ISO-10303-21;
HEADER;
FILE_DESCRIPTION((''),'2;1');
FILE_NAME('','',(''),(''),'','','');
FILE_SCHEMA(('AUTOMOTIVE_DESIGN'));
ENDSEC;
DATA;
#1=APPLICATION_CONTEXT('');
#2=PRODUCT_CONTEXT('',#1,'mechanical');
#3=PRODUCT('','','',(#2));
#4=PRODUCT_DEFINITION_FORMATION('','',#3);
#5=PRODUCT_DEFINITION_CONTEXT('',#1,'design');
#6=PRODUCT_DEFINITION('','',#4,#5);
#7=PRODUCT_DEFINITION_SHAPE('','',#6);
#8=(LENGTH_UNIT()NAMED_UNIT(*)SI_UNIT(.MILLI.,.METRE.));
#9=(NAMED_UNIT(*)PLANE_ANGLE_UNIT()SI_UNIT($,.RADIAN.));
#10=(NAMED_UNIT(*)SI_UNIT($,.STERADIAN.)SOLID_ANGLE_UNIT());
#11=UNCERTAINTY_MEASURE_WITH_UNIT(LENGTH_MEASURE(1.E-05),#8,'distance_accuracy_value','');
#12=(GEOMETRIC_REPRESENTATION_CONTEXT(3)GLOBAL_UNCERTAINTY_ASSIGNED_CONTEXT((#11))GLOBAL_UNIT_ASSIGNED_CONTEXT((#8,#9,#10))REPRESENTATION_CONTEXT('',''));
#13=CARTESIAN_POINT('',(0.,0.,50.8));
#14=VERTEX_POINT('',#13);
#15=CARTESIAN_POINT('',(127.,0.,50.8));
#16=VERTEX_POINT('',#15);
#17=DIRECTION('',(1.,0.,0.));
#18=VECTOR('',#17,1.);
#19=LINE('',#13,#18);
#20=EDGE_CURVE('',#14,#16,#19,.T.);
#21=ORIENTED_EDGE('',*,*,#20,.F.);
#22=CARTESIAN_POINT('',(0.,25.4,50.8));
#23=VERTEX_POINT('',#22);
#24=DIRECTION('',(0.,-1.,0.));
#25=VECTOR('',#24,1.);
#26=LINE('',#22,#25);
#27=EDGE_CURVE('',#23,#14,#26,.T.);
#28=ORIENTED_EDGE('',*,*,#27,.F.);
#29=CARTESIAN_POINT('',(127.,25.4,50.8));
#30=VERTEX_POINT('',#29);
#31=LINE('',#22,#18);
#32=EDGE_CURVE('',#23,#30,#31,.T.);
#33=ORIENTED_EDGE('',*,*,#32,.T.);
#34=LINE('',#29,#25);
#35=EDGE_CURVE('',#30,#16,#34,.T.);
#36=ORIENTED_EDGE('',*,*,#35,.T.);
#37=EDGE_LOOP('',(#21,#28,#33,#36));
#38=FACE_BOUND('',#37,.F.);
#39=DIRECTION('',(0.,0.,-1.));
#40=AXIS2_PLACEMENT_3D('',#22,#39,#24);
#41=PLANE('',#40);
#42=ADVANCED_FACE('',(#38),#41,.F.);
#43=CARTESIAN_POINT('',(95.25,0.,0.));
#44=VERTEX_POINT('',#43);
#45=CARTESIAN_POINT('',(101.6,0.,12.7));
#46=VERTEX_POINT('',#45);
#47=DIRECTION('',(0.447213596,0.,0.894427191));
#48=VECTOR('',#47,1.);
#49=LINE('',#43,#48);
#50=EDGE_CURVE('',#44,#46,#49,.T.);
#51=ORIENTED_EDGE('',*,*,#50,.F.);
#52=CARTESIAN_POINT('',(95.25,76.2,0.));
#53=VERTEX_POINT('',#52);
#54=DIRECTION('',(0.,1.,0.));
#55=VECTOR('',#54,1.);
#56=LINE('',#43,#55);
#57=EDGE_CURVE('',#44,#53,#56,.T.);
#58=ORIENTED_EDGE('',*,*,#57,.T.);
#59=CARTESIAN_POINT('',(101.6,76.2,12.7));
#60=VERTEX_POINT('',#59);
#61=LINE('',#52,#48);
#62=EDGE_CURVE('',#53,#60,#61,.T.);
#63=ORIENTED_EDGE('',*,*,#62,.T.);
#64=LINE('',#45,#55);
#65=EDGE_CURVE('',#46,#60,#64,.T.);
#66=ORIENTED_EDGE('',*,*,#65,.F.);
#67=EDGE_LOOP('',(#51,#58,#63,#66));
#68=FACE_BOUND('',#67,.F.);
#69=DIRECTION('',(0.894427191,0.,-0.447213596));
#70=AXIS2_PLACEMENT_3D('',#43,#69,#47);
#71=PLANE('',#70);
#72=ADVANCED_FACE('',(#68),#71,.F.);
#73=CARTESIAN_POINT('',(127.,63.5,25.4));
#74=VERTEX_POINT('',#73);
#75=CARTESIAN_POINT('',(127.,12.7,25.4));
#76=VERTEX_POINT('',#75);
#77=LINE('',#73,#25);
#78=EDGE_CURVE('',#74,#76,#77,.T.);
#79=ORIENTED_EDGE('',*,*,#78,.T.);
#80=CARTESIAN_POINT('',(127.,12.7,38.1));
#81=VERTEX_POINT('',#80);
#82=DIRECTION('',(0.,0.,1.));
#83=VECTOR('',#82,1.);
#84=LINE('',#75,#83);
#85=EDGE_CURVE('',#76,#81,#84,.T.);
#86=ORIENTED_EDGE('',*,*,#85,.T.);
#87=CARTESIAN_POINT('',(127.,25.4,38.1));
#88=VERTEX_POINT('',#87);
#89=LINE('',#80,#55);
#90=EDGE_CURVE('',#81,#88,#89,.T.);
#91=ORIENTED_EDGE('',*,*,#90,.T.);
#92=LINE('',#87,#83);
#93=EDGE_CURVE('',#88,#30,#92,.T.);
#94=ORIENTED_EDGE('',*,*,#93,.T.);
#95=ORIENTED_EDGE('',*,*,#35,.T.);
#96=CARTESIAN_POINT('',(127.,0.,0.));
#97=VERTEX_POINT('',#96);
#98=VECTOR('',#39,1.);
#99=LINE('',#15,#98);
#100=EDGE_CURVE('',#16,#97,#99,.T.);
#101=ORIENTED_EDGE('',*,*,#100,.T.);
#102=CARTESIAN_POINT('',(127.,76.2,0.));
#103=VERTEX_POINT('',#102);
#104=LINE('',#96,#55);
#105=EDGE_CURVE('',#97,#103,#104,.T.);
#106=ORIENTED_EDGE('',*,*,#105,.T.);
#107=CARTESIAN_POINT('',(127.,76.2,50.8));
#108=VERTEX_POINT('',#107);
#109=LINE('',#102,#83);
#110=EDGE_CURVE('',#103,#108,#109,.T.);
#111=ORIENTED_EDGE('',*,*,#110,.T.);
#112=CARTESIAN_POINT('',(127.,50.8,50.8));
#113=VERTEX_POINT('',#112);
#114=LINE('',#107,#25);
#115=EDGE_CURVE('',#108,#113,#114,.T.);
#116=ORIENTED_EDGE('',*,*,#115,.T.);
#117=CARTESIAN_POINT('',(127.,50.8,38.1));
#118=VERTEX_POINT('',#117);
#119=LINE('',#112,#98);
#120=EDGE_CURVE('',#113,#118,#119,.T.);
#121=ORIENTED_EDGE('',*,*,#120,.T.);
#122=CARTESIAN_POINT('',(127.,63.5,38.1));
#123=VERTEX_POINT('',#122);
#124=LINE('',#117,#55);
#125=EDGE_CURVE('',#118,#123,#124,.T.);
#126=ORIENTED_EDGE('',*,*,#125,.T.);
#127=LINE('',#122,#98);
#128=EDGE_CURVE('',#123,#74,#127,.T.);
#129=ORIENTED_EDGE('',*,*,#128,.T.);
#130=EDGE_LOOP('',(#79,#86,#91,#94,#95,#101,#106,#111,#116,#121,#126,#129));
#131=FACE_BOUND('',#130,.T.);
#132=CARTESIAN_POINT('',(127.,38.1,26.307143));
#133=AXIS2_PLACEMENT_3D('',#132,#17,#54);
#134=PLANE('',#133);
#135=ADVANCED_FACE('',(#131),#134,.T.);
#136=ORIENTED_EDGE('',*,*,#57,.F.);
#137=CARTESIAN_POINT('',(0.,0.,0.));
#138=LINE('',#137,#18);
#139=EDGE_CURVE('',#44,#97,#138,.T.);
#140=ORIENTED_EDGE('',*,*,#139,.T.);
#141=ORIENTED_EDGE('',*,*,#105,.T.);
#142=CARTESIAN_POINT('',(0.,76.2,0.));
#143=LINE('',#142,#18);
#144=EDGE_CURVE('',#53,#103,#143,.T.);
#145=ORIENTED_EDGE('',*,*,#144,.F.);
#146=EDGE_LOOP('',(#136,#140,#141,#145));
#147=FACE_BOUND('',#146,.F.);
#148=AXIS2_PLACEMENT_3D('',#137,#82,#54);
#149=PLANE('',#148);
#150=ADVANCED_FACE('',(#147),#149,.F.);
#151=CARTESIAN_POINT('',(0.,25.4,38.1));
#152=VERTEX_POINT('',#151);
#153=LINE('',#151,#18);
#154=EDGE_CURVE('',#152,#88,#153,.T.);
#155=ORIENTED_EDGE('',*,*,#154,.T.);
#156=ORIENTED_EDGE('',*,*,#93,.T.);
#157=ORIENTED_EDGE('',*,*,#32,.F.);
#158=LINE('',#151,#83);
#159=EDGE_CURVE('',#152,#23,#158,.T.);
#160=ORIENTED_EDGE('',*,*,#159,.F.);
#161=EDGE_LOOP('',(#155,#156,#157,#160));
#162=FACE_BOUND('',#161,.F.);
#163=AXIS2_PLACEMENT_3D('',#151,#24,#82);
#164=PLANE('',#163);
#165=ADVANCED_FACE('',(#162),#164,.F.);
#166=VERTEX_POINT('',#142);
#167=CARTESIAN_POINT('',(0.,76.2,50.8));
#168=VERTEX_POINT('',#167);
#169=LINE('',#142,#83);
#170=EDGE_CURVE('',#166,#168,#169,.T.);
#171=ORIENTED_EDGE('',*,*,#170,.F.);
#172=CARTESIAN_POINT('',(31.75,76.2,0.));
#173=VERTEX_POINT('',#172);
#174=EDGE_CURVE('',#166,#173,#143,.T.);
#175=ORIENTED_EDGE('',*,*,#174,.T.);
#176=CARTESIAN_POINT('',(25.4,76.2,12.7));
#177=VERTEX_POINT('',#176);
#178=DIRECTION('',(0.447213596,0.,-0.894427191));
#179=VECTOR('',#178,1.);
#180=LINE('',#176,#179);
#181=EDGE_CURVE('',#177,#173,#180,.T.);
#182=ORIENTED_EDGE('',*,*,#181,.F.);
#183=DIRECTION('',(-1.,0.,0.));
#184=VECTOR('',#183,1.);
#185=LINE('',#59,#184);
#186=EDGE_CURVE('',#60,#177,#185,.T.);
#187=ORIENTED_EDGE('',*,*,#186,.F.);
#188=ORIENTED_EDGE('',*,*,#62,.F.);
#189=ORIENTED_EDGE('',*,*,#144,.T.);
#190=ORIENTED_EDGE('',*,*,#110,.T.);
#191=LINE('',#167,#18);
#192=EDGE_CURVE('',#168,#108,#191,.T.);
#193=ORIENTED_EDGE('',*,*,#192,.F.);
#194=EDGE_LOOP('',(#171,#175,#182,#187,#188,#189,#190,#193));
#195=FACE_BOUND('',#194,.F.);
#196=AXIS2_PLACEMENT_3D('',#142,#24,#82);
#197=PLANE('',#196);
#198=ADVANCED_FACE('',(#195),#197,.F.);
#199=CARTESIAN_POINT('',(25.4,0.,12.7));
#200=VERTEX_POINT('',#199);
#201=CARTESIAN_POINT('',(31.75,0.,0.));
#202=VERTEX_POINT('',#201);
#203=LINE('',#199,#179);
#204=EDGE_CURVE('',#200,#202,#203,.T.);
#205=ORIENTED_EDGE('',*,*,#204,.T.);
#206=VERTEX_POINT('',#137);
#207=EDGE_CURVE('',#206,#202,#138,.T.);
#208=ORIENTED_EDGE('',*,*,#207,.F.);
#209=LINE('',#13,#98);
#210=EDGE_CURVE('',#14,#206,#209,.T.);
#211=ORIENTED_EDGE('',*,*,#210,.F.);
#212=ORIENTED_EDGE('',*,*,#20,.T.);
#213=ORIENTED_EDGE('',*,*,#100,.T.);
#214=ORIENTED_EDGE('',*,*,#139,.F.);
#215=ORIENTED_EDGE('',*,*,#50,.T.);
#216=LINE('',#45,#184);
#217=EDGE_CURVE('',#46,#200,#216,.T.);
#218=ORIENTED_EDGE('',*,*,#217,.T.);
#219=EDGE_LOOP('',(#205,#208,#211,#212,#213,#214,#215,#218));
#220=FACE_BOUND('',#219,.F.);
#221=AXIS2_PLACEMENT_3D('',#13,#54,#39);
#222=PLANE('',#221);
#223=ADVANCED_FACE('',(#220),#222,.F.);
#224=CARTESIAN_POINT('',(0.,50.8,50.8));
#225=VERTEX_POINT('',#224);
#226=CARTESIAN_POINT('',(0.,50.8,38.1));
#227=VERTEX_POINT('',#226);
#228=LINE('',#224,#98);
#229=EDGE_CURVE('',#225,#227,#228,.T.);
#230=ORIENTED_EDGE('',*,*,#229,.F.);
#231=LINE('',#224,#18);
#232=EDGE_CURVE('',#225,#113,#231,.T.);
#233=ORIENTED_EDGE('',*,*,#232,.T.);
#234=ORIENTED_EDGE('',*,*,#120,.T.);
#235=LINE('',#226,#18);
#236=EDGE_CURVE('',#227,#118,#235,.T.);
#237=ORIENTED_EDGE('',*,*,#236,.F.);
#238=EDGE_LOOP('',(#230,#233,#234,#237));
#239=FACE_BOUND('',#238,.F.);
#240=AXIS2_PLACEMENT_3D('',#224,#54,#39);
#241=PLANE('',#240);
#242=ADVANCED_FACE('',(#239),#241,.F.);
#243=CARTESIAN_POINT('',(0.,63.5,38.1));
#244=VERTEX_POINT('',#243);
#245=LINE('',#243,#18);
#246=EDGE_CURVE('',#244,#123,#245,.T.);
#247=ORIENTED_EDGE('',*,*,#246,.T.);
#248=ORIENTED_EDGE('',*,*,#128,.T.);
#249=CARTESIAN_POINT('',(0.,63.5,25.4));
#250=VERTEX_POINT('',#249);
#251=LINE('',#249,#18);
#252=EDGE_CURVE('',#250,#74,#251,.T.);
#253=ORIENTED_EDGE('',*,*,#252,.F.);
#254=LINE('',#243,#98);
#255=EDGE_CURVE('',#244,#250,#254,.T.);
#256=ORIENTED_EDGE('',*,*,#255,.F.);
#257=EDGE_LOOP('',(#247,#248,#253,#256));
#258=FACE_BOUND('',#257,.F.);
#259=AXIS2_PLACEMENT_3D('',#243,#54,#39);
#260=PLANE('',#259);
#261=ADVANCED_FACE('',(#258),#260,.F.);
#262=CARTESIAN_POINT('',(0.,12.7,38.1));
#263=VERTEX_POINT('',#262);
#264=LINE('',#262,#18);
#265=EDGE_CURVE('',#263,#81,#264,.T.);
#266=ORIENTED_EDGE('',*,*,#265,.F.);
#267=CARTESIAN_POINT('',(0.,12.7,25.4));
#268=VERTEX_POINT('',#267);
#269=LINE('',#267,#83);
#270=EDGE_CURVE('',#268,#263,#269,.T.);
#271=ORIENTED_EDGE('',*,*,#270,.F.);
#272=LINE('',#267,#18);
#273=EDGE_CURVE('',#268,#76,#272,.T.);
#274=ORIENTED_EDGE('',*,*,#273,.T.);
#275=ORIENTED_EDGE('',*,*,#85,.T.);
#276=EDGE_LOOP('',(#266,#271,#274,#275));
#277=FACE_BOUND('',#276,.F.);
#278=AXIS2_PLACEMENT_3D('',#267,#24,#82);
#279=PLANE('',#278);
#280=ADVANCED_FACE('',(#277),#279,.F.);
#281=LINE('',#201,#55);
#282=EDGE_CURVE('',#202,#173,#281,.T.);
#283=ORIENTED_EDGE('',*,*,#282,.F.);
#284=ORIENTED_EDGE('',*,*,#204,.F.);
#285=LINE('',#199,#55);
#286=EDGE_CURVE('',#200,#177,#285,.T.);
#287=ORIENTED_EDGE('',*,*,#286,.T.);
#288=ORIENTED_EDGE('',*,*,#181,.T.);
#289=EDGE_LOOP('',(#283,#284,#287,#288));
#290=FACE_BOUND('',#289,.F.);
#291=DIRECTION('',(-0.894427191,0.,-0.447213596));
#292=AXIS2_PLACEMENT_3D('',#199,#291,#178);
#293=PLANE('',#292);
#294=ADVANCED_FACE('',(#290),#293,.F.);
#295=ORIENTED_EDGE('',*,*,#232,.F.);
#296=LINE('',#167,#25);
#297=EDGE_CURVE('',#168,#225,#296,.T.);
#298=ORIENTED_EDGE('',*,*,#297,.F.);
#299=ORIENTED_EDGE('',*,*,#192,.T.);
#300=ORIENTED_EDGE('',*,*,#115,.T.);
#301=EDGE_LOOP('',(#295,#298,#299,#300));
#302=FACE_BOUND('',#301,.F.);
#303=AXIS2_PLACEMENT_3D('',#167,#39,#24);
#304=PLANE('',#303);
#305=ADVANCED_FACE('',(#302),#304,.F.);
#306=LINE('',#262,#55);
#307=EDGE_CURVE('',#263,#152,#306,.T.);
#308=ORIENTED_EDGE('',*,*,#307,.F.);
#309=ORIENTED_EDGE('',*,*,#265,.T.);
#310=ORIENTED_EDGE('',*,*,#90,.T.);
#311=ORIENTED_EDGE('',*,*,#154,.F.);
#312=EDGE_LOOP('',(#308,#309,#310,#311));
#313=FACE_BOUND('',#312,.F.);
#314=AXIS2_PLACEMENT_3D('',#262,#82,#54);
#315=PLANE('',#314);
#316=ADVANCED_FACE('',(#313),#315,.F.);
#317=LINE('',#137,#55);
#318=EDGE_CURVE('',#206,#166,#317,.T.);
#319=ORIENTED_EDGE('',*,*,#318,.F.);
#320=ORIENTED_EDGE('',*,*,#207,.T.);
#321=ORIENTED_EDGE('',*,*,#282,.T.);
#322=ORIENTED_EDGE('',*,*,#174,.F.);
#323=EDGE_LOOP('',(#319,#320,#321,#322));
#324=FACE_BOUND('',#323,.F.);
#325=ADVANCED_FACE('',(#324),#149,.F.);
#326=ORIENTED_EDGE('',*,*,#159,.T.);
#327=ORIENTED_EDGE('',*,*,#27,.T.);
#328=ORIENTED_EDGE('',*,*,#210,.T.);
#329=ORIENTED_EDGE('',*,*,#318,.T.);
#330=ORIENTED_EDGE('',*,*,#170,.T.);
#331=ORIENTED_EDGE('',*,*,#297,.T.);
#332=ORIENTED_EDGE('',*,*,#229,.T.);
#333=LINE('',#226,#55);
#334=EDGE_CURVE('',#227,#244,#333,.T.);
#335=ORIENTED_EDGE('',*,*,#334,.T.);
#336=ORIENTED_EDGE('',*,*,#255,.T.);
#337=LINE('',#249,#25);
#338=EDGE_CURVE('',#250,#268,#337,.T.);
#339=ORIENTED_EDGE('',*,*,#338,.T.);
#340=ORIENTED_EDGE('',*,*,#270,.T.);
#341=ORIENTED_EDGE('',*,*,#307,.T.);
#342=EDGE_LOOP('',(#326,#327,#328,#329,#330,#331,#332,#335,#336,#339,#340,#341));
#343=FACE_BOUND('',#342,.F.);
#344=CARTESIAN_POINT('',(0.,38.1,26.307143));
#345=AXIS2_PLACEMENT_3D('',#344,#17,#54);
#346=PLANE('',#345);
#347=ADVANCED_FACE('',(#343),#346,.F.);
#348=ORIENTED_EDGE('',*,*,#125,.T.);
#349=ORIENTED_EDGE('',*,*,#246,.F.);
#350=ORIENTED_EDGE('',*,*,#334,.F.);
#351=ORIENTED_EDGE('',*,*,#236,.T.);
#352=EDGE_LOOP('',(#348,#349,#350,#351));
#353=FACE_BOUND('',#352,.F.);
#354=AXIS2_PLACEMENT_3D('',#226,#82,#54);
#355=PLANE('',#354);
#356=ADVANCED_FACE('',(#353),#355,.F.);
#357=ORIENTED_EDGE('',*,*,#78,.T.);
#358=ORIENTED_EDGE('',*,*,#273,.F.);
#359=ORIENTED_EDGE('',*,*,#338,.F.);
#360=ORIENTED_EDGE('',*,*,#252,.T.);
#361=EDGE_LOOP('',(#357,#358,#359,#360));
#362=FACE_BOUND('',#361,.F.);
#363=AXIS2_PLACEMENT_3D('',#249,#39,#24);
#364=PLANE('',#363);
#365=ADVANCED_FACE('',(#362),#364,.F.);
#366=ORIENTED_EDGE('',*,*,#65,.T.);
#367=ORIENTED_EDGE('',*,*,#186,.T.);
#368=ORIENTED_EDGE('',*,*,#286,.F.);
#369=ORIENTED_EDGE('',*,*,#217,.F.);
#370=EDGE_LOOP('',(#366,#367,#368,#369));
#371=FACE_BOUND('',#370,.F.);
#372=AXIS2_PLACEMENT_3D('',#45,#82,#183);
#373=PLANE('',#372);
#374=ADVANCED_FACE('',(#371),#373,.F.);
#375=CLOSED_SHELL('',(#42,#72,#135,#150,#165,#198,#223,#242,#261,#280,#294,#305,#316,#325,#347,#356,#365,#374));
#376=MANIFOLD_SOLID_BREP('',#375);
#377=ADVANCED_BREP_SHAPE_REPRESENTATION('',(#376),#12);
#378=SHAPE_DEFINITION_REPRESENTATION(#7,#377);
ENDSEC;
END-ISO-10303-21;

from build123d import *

# Parameters (mm, degrees)
F1_DEPTH = 127
F3_DEPTH = 76.2


with BuildPart() as f1:
    # F0 (on Right) → F1 (new body)
    with BuildSketch(Plane.YZ):
        Polygon((0, 50.8), (0, 0), (76.2, 0), (76.2, 50.8), (50.8, 50.8), (50.8, 38.1), (63.5, 38.1), (63.5, 25.4), (12.7, 25.4), (12.7, 38.1), (25.4, 38.1), (25.4, 50.8), align=None)
    extrude(amount=F1_DEPTH)

    # F2 (on face) → F3 (cut)
    with BuildSketch(Plane.XZ):
        Polygon((31.75, 0), (95.25, 0), (101.6, 12.7), (25.4, 12.7), align=None)
    extrude(amount=-F3_DEPTH, mode=Mode.SUBTRACT)


solid = f1.part
